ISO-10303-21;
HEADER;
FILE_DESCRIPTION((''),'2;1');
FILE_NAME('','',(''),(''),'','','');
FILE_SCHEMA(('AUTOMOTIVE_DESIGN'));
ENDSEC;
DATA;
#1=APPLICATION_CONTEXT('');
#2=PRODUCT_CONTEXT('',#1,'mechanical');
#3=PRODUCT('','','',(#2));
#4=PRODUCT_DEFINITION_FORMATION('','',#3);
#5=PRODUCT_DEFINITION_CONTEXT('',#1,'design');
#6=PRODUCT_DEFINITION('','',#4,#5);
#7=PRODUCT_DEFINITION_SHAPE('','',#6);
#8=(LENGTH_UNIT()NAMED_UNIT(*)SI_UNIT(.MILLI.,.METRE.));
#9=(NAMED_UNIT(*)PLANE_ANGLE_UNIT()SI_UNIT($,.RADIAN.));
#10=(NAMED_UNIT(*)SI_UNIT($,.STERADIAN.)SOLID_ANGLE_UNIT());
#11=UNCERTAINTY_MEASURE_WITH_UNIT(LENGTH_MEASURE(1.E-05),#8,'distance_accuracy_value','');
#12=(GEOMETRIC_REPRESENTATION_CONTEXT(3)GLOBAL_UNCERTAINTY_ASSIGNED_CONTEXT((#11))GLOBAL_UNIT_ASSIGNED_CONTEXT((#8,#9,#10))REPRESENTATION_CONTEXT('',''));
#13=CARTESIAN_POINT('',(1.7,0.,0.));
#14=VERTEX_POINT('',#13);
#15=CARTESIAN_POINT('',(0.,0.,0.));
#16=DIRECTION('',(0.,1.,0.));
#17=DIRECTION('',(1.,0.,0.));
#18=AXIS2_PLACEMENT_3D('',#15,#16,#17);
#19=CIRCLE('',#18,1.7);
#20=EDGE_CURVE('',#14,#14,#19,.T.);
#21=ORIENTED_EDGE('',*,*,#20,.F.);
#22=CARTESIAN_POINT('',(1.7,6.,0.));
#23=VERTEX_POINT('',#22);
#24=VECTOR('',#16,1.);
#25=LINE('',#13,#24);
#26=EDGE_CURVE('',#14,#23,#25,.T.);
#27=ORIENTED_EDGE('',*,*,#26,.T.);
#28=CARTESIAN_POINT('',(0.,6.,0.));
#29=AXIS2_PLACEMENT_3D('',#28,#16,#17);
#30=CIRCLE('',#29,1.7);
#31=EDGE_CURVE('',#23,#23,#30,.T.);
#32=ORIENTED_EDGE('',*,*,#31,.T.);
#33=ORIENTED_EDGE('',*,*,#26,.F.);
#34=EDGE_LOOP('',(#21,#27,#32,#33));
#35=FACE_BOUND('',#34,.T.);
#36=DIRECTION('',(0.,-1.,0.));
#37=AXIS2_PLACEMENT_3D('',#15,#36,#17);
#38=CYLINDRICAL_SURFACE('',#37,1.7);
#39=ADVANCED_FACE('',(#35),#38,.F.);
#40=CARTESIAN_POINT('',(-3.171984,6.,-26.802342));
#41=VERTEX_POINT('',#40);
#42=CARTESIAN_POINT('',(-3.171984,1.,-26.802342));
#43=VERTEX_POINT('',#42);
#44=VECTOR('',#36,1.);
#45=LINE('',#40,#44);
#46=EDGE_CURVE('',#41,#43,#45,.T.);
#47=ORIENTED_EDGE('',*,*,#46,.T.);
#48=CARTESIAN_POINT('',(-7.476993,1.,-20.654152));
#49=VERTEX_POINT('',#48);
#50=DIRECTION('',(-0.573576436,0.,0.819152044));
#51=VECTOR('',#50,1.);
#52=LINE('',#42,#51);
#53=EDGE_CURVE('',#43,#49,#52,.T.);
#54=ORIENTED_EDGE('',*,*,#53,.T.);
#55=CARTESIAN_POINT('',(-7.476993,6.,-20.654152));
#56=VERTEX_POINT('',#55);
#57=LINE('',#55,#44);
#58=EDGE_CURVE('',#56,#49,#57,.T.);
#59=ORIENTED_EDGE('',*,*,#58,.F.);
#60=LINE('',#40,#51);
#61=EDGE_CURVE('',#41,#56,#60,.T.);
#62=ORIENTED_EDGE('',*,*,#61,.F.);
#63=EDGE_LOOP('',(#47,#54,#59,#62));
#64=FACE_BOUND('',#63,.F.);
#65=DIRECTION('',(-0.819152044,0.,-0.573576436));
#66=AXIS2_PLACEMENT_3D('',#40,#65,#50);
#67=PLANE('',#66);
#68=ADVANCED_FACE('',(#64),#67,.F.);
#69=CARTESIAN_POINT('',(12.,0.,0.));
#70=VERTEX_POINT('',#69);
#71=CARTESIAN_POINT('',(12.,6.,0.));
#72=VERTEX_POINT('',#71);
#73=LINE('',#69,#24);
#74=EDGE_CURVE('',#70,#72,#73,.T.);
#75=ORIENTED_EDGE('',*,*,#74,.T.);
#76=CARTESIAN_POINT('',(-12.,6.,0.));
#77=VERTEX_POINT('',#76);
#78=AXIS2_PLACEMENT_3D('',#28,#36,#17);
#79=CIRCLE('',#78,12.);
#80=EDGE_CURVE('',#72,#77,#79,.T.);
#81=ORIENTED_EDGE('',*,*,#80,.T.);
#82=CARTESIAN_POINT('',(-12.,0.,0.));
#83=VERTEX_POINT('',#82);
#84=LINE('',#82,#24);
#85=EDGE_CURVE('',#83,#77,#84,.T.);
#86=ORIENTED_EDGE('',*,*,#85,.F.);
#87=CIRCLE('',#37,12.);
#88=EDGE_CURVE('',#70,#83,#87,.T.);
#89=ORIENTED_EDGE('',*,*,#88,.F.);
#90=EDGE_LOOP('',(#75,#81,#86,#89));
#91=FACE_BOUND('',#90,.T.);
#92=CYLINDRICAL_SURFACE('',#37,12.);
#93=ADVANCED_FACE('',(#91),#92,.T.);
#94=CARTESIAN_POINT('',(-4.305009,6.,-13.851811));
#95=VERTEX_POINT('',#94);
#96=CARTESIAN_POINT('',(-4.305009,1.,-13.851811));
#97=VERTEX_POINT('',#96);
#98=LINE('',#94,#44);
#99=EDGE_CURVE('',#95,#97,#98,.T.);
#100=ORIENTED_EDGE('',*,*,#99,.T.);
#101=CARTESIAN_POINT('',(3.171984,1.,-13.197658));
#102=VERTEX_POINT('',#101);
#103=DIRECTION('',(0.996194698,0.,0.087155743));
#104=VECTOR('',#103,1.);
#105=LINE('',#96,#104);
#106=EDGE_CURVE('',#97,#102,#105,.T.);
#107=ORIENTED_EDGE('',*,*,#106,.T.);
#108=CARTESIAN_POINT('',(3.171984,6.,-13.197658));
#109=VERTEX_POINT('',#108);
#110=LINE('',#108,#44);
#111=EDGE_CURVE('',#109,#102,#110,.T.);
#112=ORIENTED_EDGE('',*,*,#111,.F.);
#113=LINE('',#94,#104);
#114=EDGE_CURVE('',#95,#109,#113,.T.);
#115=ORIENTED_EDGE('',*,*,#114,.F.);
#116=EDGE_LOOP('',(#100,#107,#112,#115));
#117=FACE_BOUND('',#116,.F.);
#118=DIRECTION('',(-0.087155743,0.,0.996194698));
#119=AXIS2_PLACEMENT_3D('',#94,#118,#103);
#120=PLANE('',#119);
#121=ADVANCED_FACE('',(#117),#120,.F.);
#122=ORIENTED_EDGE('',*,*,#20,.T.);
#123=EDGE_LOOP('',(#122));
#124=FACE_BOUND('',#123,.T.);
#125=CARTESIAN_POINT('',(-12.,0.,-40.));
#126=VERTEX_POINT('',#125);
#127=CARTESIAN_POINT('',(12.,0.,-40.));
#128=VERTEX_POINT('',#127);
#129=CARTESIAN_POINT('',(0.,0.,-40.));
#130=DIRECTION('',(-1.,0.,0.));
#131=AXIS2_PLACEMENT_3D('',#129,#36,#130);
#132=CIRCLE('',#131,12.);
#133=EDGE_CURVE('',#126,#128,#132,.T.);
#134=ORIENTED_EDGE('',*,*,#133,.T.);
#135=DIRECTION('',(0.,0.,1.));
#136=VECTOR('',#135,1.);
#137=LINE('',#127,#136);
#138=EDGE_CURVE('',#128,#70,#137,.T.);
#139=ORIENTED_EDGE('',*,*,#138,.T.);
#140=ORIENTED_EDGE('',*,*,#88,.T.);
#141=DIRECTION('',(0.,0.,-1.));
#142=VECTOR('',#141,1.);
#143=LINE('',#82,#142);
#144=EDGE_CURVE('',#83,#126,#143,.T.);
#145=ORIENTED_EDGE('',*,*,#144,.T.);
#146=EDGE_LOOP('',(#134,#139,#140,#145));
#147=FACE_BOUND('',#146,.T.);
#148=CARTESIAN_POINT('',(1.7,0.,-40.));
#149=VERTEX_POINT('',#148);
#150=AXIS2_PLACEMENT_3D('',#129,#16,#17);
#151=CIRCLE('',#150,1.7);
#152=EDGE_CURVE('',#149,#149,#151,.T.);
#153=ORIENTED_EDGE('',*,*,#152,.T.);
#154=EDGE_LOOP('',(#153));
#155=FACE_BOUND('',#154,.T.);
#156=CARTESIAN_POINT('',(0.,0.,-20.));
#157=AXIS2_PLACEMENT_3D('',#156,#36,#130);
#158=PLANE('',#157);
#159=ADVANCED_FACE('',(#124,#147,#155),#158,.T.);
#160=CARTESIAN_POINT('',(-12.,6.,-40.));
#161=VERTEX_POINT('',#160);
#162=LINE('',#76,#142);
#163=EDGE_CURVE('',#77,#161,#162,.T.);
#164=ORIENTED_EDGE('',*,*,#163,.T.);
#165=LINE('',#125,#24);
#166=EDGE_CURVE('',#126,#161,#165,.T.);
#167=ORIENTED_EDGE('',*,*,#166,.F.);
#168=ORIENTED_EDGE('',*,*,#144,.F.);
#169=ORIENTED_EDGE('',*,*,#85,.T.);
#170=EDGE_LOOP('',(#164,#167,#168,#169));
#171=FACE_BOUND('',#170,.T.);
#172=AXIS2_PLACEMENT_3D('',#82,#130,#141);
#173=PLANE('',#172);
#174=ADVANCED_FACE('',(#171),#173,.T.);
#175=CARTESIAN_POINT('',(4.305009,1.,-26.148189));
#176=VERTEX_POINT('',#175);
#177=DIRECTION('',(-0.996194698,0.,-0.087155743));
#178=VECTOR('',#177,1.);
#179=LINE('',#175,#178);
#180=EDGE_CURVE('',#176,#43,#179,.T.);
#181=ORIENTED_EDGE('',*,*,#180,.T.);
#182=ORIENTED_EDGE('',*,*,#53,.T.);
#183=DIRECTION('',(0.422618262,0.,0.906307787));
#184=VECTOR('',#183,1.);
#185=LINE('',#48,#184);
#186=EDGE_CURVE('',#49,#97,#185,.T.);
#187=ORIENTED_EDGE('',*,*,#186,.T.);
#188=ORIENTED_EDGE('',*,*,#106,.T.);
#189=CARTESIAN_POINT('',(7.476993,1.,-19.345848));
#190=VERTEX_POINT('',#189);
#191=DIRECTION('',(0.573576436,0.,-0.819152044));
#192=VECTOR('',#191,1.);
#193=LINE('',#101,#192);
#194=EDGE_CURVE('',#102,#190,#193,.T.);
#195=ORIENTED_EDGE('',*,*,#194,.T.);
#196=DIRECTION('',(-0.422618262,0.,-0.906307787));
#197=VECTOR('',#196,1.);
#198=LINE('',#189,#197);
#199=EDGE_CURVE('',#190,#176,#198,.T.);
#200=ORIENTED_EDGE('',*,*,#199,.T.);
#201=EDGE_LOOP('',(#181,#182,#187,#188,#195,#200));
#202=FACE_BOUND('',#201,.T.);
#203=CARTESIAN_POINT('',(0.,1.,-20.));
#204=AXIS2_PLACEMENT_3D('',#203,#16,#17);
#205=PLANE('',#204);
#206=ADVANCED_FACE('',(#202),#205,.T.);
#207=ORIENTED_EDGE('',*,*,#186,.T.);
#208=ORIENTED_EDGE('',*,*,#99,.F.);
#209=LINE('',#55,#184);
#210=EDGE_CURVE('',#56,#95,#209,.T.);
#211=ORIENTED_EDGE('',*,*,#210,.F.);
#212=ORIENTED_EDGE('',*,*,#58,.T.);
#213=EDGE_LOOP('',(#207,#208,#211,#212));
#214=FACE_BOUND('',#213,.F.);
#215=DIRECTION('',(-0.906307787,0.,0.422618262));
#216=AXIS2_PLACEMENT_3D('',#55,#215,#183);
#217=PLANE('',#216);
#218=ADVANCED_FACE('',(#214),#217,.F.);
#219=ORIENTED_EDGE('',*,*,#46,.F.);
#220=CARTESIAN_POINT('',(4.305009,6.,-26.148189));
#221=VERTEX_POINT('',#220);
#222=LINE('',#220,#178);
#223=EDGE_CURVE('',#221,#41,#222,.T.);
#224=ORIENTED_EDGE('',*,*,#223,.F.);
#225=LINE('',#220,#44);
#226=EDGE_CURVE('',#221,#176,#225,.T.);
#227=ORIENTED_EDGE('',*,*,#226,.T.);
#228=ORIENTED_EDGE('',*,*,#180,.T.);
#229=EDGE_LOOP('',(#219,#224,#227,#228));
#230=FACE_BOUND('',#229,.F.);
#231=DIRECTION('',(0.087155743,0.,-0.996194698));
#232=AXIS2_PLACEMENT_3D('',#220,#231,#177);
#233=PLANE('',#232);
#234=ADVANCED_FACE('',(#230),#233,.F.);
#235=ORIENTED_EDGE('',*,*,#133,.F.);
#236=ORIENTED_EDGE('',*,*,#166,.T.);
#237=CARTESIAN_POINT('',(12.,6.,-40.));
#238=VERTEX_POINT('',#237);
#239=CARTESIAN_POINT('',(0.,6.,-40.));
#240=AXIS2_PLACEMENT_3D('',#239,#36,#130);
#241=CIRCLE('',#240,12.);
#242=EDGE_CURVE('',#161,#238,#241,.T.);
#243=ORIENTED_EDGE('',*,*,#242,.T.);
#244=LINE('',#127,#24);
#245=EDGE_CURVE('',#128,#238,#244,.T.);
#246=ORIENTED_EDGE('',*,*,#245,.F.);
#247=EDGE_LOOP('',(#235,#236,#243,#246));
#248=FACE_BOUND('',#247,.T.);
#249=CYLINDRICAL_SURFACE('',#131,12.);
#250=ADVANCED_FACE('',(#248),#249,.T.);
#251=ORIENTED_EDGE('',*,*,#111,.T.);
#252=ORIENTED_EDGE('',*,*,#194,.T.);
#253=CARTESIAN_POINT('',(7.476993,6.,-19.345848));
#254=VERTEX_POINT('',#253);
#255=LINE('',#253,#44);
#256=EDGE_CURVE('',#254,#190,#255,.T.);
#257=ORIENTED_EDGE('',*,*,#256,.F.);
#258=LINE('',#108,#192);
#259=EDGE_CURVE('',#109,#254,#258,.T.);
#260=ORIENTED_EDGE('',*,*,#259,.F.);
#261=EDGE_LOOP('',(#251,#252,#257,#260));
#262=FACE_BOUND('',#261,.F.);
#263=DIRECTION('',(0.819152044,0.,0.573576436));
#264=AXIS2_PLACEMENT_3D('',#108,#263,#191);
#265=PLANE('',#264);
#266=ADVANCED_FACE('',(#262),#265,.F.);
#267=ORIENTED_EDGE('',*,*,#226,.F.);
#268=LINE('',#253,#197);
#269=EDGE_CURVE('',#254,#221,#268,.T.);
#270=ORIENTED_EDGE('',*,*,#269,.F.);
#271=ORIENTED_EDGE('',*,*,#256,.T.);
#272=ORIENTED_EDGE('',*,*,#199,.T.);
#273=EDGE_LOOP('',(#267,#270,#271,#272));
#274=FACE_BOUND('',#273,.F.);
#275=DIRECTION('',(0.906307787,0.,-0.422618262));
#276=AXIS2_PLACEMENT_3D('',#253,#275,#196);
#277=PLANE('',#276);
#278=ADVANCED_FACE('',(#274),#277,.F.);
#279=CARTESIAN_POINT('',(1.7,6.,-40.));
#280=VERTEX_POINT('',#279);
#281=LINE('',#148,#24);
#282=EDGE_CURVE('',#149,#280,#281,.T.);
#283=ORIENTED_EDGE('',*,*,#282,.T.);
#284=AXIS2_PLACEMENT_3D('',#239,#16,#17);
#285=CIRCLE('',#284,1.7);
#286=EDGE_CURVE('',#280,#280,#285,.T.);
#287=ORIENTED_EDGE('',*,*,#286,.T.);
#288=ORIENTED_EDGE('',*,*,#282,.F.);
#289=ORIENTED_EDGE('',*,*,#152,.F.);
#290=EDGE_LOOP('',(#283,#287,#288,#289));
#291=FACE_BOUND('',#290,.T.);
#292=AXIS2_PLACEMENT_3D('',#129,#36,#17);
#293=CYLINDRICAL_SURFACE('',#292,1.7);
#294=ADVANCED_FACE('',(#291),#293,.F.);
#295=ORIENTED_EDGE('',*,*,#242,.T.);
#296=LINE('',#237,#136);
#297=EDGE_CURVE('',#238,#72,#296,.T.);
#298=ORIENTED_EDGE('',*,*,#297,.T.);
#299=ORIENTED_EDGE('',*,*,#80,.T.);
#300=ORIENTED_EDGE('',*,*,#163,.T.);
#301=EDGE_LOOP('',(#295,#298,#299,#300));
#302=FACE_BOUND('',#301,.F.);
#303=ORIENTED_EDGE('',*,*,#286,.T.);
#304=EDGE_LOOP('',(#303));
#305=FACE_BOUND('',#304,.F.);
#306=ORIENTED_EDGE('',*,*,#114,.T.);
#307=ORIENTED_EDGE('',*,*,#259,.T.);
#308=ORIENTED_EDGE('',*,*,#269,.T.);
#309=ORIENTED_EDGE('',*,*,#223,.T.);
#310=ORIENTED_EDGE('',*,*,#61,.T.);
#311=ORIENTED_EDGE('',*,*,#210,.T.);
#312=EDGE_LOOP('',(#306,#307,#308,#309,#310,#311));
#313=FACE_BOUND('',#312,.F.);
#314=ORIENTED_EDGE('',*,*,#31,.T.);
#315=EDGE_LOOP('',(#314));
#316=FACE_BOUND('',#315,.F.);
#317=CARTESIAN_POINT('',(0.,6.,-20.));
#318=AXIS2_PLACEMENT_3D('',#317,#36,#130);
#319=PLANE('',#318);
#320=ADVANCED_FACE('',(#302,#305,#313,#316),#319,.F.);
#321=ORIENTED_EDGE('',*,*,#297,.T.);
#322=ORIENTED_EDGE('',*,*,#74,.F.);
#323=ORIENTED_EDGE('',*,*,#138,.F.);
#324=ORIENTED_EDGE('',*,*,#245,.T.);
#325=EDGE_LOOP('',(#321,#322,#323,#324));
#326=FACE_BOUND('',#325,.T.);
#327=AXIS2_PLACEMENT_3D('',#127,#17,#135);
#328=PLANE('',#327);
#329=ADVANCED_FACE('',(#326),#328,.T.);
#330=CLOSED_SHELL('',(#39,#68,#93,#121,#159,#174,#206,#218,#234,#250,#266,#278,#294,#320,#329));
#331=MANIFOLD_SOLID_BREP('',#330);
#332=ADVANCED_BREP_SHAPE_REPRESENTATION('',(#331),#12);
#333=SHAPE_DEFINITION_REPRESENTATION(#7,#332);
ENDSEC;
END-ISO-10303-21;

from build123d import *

# Parameters (mm, degrees)
SKETCH1_R           = 1.7
BOSS_EXTRUDE1_DEPTH = 6
CUT_EXTRUDE1_DEPTH  = 5


with BuildPart() as part:
    # Sketch1 → Boss-Extrude1 (new body)
    with BuildSketch(Plane(origin=(0, 0, 0), x_dir=(1, 0, 0), z_dir=(0, 1, 0))):
        with BuildLine():
            Line((-12, 0), (-12, 40))
            ThreePointArc((-12, 40), (0, 52), (12, 40))
            Line((12, 40), (12, 0))
            ThreePointArc((12, 0), (0, -12), (-12, 0))
        make_face()
        with Locations((0, 40)):
            Circle(SKETCH1_R, mode=Mode.SUBTRACT)
        Circle(SKETCH1_R, mode=Mode.SUBTRACT)
    extrude(amount=BOSS_EXTRUDE1_DEPTH)

    # Sketch2 → Cut-Extrude1 (cut)
    with BuildSketch(Plane(origin=(0, 6, 0), x_dir=(1, 0, 0), z_dir=(0, 1, 0))):
        Polygon((3.171983973, 13.197658417), (7.476992602, 19.34584791), (4.305008629, 26.148189493), (-3.171983973, 26.802341583), (-7.476992602, 20.65415209), (-4.305008629, 13.851810507), align=None)
    extrude(amount=-CUT_EXTRUDE1_DEPTH, mode=Mode.SUBTRACT)


solid = part.part
